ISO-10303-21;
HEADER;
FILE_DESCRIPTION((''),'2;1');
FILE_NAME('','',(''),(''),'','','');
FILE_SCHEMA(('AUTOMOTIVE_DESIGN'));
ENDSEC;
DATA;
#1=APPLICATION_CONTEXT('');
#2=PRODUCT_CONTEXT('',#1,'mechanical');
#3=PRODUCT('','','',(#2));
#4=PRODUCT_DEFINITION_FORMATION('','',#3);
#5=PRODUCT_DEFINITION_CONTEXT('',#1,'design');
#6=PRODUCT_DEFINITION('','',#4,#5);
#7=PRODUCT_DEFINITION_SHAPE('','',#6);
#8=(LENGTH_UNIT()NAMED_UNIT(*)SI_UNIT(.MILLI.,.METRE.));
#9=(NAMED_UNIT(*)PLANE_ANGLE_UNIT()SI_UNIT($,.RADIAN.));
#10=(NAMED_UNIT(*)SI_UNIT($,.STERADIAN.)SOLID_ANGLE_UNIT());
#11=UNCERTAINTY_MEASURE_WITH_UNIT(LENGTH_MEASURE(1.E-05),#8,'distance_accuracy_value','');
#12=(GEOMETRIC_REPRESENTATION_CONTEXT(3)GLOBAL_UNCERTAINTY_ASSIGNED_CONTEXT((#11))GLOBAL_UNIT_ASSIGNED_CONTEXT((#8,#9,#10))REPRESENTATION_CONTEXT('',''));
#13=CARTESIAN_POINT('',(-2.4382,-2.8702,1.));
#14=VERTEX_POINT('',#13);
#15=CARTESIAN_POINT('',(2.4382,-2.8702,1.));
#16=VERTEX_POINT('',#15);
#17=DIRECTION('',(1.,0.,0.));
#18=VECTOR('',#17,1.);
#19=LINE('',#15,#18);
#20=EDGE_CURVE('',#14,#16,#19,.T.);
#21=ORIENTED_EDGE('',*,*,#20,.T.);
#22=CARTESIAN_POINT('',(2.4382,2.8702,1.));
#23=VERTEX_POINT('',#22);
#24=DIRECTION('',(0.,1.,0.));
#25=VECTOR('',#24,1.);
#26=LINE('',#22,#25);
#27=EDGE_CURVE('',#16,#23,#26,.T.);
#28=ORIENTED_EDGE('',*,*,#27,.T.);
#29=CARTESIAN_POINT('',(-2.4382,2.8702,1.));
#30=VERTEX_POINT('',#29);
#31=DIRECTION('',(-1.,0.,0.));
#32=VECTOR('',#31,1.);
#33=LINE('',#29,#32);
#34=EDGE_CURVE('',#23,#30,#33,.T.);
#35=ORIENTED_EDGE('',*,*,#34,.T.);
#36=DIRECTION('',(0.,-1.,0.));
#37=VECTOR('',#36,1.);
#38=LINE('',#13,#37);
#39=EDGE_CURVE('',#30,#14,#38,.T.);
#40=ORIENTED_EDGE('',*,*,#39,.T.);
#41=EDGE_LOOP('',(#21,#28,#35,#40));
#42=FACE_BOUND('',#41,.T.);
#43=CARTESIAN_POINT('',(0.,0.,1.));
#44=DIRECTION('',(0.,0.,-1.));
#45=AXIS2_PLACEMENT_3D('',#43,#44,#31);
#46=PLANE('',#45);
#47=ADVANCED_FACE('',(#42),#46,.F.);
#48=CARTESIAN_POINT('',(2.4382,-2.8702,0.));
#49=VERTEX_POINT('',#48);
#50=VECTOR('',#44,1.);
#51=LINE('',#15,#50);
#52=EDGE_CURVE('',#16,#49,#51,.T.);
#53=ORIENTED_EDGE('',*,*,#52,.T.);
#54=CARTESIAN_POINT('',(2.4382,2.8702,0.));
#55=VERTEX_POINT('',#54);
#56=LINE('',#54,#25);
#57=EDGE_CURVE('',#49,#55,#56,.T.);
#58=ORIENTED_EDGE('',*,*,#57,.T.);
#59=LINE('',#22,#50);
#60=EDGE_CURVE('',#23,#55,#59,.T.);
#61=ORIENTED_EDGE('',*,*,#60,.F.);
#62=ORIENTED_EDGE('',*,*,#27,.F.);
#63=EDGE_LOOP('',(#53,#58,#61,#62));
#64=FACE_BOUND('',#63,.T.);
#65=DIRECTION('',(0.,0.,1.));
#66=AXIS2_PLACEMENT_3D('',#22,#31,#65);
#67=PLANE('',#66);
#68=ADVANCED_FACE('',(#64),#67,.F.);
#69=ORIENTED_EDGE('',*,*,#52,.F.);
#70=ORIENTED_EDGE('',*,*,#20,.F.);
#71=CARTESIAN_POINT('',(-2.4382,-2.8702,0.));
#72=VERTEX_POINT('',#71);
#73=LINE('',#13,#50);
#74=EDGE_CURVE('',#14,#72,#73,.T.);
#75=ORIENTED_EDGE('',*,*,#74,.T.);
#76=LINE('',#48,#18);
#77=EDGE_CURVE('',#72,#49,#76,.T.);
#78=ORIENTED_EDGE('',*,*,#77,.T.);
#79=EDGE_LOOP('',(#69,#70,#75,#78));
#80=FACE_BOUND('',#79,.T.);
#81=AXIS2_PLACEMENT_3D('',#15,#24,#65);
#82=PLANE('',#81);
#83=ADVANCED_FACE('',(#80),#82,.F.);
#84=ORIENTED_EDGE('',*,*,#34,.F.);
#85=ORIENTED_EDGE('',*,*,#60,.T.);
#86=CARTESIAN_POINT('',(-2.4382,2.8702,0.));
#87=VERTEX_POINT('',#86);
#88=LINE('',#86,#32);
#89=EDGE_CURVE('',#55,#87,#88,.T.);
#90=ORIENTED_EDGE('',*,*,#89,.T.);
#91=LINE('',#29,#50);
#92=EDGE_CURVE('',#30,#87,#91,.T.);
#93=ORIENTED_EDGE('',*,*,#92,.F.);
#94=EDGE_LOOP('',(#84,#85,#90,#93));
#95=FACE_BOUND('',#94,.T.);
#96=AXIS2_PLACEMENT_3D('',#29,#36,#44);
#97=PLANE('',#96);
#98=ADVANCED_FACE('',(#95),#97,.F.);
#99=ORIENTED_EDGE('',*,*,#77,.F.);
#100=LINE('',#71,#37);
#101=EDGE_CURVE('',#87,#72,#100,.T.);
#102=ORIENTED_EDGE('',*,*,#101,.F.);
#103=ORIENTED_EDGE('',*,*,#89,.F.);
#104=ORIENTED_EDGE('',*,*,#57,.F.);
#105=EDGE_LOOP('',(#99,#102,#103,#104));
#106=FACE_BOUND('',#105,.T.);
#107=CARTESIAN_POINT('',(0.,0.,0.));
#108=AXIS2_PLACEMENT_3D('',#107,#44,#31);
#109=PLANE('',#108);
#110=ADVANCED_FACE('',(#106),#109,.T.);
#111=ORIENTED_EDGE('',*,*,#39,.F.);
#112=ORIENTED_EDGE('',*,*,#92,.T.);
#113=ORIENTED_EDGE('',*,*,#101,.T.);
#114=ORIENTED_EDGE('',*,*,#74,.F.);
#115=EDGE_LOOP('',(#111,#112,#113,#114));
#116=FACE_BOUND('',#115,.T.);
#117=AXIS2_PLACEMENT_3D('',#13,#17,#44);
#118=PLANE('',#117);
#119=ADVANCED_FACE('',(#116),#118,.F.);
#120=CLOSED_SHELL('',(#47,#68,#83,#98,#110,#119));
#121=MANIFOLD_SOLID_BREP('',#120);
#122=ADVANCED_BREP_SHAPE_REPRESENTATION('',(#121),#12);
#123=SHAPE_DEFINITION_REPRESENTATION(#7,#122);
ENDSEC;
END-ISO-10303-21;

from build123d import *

# Parameters (mm, degrees)
SKETCH1_W               = 4.8764
SKETCH1_H               = 5.7404
COMPONENT_OUTLINE_DEPTH = 1


with BuildPart() as part:
    # Sketch1 → Component_Outline (new body)
    with BuildSketch(Plane.XY):
        Rectangle(SKETCH1_W, SKETCH1_H)
    extrude(amount=COMPONENT_OUTLINE_DEPTH)


solid = part.part
